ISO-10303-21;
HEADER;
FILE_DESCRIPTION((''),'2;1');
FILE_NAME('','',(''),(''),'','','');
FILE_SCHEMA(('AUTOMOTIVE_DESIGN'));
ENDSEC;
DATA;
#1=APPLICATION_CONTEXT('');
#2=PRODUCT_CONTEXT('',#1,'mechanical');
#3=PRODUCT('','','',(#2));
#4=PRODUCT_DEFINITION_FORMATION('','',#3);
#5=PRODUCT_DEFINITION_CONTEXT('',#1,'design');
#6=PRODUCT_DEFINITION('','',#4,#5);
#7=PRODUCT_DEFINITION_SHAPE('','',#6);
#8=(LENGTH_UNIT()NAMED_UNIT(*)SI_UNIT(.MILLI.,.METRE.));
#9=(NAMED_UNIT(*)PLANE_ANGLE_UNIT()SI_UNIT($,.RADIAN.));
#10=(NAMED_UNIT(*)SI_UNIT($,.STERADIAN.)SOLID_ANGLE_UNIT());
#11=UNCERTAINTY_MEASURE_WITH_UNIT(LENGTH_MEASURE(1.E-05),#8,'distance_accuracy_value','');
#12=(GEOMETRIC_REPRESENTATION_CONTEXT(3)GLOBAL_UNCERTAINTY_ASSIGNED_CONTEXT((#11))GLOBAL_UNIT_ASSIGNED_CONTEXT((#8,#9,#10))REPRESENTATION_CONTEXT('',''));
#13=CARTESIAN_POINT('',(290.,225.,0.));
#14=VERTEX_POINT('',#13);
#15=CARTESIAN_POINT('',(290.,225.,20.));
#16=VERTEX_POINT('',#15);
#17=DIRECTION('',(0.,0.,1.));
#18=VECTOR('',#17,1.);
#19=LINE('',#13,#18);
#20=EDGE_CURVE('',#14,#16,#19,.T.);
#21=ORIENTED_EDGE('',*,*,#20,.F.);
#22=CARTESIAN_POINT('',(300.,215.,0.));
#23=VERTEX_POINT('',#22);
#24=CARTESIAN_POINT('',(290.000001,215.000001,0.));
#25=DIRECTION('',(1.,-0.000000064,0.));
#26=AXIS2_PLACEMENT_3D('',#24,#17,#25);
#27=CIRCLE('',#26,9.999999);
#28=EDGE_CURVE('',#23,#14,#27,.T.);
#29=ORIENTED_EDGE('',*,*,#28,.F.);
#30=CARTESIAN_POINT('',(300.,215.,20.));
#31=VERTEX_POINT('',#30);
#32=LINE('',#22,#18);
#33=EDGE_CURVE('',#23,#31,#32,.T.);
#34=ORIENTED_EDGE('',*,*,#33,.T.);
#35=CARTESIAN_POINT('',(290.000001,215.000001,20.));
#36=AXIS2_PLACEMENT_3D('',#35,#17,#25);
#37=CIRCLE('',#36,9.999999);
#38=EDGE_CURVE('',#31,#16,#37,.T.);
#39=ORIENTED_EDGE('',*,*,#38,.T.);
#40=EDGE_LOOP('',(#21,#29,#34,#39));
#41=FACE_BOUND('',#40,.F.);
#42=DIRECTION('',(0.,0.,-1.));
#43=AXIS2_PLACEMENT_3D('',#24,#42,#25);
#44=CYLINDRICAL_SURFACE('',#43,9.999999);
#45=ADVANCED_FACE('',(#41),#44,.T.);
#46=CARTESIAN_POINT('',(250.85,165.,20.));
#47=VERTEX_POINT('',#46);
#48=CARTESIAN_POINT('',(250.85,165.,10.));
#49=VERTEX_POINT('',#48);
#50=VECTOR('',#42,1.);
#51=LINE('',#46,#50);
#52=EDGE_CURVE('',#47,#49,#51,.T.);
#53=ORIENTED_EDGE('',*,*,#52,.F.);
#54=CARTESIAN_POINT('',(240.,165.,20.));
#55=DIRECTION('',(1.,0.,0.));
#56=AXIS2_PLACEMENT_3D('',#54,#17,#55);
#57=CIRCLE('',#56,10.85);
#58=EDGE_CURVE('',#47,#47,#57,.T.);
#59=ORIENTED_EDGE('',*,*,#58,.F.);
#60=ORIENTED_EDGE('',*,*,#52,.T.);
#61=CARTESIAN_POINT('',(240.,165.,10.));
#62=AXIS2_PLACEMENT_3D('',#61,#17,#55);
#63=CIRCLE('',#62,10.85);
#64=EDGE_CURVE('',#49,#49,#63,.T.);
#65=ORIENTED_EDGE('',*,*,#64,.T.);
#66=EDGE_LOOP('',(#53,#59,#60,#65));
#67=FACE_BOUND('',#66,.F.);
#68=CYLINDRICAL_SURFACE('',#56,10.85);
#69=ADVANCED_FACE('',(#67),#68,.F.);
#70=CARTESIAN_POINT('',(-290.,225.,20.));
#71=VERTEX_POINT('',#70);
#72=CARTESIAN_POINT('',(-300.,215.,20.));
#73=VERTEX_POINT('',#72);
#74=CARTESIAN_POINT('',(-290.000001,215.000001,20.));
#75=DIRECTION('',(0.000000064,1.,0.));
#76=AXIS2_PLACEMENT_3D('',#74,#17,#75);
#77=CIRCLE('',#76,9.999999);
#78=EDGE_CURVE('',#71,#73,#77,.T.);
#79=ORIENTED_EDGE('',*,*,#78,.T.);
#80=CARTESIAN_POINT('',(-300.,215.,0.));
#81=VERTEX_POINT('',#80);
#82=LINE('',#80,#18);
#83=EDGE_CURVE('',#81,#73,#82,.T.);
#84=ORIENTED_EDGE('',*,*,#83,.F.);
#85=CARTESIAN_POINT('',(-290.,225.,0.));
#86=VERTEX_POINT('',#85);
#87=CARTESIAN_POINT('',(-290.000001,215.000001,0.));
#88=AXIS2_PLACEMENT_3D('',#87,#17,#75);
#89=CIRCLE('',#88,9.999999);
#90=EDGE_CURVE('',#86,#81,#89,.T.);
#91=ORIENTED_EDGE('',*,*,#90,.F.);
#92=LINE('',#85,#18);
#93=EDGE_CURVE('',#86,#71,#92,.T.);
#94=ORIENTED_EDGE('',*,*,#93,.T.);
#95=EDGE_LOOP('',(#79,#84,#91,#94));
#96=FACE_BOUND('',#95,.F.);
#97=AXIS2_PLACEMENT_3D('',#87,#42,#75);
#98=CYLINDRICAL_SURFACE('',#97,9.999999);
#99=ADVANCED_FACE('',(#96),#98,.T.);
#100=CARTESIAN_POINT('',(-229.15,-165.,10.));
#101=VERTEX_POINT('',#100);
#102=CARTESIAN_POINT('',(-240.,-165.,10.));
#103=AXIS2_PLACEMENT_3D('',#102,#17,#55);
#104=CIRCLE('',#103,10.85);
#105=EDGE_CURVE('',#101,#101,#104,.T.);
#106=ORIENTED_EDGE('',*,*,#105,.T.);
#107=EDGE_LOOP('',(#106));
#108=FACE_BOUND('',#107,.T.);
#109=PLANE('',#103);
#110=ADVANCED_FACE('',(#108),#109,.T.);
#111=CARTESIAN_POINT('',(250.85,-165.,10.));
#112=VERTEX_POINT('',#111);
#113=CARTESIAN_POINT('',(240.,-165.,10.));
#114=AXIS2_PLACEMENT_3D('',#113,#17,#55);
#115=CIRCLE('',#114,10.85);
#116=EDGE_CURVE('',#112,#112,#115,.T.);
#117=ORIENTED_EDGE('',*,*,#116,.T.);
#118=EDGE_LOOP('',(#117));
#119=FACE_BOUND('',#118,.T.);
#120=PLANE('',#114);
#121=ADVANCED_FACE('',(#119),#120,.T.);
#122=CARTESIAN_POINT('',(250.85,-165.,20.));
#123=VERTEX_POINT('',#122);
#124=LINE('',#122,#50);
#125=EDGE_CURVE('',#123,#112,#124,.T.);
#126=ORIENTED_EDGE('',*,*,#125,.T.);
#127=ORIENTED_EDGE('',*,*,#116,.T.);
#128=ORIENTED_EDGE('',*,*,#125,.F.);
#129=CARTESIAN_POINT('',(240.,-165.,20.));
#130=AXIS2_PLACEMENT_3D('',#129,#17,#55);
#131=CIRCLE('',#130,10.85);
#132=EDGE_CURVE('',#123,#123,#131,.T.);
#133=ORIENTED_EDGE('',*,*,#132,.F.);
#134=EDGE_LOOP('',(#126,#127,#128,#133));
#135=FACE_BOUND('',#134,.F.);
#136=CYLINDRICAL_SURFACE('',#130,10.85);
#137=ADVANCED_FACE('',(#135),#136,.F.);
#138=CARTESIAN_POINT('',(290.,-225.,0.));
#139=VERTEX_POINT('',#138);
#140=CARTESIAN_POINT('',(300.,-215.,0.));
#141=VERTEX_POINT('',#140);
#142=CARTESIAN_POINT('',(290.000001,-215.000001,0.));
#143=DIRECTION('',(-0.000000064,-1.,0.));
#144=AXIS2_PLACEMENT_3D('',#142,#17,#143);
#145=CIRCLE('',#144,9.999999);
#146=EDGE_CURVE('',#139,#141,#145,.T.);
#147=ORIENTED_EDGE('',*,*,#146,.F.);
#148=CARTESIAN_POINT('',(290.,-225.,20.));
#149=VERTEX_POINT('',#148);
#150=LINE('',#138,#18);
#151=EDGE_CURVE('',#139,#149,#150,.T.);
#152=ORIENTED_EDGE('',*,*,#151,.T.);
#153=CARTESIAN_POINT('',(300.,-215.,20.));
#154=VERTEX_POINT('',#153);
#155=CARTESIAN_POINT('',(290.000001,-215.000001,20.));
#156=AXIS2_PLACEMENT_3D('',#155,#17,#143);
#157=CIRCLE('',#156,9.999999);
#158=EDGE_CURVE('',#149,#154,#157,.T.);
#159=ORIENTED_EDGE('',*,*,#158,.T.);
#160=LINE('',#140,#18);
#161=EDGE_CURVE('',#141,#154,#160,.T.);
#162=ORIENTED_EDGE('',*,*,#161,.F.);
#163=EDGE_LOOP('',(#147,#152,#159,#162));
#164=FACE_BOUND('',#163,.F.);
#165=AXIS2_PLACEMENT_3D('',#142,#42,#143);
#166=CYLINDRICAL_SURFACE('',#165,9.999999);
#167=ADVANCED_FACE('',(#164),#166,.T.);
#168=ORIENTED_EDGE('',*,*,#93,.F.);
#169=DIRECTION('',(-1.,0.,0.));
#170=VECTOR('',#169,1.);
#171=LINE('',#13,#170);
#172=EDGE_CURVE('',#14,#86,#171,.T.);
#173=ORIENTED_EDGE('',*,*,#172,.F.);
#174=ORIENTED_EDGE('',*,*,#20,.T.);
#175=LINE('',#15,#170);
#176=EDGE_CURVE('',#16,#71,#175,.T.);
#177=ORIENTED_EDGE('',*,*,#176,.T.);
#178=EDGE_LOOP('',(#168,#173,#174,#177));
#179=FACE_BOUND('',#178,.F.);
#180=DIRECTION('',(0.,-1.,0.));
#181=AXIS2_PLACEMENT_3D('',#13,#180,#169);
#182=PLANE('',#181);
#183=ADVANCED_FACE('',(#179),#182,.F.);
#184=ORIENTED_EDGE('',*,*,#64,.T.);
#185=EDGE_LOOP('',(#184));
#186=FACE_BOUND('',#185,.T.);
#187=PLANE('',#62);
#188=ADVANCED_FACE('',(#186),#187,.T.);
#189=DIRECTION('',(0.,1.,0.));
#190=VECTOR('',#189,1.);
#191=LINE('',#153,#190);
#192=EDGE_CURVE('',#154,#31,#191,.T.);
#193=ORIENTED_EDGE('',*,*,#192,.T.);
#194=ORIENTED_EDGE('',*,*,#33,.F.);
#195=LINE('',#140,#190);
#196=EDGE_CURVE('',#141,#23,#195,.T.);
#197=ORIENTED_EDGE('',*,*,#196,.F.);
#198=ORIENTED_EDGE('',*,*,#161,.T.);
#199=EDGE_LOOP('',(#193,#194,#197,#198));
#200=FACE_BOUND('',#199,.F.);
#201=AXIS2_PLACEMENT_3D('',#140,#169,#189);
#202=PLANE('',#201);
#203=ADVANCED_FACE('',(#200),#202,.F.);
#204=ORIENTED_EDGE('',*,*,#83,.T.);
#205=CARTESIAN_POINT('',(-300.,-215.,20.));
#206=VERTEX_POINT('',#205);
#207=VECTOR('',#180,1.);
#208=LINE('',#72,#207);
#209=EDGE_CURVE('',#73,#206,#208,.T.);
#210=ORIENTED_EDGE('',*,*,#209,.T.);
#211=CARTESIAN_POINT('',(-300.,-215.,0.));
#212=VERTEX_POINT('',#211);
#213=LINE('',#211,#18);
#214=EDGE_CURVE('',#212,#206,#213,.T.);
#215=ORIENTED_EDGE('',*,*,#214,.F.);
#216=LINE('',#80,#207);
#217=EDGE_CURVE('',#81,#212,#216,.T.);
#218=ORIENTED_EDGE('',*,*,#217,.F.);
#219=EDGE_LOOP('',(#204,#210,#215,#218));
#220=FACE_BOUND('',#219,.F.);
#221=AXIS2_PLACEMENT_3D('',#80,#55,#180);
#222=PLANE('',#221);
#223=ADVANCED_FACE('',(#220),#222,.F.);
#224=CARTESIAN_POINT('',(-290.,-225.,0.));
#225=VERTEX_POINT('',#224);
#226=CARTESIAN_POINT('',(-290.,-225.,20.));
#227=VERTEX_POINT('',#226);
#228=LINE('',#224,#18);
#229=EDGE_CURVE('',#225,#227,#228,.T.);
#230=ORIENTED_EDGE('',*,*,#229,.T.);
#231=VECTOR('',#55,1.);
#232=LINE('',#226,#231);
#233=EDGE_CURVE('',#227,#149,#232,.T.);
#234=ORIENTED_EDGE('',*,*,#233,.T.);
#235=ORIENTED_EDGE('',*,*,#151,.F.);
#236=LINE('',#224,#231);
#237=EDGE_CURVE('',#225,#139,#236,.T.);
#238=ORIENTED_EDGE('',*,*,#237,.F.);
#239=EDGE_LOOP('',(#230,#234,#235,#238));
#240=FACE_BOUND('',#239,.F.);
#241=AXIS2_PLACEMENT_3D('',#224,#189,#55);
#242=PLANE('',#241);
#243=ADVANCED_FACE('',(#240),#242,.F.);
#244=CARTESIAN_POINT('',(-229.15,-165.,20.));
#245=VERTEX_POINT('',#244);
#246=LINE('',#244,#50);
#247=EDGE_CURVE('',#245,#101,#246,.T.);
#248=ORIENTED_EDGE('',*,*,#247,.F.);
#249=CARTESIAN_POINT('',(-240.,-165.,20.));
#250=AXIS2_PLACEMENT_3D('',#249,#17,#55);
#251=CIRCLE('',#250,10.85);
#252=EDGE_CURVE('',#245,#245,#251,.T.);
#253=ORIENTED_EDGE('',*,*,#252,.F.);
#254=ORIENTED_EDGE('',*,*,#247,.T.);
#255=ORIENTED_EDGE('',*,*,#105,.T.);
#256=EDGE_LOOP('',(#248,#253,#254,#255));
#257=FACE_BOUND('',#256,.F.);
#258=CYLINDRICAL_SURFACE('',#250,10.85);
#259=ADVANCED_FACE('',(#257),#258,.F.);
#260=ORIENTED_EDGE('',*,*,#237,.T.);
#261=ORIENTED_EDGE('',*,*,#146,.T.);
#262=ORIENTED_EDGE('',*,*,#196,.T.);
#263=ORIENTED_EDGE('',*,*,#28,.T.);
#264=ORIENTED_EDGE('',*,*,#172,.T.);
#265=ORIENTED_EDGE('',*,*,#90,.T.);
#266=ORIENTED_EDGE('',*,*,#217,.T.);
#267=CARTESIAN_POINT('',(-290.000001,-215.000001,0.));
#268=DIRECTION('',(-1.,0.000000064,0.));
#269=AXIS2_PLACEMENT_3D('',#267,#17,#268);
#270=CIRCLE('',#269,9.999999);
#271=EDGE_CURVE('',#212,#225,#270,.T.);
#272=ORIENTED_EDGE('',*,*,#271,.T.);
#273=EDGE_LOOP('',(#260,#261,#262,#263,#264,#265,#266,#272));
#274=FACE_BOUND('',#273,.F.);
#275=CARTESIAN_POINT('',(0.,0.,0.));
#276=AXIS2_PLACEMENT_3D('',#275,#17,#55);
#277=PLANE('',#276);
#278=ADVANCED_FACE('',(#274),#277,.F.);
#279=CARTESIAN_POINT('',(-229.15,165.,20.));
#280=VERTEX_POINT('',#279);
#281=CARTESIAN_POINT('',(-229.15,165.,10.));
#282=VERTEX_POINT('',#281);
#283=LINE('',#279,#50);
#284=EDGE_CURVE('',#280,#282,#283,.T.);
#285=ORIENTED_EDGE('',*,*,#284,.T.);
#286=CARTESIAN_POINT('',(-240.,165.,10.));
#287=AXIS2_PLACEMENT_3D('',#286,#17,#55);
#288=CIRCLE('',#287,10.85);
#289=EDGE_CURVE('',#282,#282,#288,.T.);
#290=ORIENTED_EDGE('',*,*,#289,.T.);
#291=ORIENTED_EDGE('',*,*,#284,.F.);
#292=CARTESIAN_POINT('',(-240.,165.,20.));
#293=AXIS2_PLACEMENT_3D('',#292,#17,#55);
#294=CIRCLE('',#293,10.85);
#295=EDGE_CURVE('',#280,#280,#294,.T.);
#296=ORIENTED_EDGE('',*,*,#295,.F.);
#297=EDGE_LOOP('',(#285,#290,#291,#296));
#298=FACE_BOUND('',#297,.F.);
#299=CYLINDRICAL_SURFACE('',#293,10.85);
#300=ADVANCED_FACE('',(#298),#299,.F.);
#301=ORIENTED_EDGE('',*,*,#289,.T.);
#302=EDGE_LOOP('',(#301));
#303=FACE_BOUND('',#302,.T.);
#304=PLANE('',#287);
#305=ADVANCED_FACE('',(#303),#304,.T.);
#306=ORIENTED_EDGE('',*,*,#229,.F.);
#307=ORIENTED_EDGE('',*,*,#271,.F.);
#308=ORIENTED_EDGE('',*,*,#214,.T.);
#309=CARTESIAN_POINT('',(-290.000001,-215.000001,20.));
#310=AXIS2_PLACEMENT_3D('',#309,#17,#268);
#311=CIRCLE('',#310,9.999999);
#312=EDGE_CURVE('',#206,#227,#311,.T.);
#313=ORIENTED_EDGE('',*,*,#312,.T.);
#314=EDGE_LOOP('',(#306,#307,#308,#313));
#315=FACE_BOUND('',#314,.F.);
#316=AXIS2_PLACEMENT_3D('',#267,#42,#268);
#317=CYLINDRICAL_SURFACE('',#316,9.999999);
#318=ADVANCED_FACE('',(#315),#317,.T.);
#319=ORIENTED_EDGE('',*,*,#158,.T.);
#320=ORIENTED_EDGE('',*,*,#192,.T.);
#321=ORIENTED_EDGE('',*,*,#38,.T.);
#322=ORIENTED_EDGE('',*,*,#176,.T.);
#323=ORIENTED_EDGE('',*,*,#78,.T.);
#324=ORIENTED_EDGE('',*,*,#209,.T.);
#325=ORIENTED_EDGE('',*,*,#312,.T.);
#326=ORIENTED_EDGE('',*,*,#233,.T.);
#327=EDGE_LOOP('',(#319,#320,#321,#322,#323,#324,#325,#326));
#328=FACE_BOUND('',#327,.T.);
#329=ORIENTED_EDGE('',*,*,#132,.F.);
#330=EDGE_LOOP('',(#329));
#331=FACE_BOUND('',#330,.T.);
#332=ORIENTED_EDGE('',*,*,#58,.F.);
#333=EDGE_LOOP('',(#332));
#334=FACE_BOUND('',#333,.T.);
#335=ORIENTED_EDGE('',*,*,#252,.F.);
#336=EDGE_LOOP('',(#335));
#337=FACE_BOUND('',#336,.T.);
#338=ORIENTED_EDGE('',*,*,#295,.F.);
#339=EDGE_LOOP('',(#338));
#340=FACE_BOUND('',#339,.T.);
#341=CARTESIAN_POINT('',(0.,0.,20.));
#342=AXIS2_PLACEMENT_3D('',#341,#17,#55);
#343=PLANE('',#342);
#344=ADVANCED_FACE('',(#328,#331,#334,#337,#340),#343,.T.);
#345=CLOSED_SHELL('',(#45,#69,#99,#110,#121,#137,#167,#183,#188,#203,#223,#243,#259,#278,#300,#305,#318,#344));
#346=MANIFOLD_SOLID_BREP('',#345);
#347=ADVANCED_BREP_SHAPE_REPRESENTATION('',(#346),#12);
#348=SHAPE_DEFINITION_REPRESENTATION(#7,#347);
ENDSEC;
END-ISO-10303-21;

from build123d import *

# Parameters (mm, degrees)
F1_DEPTH = 20
F2_R     = 10.85
F3_DEPTH = 10


with BuildPart() as f1:
    # F0 (on Top) → F1 (new body)
    with BuildSketch(Plane.XY):
        with BuildLine():
            Line((-290, -225), (290, -225))
            ThreePointArc((290, -225), (297.071068, -222.071068), (300, -215))
            Line((300, -215), (300, 215))
            ThreePointArc((300, 215), (297.071068, 222.071068), (290, 225))
            Line((290, 225), (-290, 225))
            ThreePointArc((-290, 225), (-297.071068, 222.071068), (-300, 215))
            Line((-300, 215), (-300, -215))
            ThreePointArc((-300, -215), (-297.071068, -222.071068), (-290, -225))
        make_face()
    extrude(amount=F1_DEPTH)

    # F2 (on face) → F3 (cut)
    with BuildSketch(Plane.XY.offset(20)):
        with Locations((-240, 165)):
            Circle(F2_R)
        with Locations((240, 165)):
            Circle(F2_R)
        with Locations((240, -165)):
            Circle(F2_R)
        with Locations((-240, -165)):
            Circle(F2_R)
    extrude(amount=-F3_DEPTH, mode=Mode.SUBTRACT)


solid = f1.part
